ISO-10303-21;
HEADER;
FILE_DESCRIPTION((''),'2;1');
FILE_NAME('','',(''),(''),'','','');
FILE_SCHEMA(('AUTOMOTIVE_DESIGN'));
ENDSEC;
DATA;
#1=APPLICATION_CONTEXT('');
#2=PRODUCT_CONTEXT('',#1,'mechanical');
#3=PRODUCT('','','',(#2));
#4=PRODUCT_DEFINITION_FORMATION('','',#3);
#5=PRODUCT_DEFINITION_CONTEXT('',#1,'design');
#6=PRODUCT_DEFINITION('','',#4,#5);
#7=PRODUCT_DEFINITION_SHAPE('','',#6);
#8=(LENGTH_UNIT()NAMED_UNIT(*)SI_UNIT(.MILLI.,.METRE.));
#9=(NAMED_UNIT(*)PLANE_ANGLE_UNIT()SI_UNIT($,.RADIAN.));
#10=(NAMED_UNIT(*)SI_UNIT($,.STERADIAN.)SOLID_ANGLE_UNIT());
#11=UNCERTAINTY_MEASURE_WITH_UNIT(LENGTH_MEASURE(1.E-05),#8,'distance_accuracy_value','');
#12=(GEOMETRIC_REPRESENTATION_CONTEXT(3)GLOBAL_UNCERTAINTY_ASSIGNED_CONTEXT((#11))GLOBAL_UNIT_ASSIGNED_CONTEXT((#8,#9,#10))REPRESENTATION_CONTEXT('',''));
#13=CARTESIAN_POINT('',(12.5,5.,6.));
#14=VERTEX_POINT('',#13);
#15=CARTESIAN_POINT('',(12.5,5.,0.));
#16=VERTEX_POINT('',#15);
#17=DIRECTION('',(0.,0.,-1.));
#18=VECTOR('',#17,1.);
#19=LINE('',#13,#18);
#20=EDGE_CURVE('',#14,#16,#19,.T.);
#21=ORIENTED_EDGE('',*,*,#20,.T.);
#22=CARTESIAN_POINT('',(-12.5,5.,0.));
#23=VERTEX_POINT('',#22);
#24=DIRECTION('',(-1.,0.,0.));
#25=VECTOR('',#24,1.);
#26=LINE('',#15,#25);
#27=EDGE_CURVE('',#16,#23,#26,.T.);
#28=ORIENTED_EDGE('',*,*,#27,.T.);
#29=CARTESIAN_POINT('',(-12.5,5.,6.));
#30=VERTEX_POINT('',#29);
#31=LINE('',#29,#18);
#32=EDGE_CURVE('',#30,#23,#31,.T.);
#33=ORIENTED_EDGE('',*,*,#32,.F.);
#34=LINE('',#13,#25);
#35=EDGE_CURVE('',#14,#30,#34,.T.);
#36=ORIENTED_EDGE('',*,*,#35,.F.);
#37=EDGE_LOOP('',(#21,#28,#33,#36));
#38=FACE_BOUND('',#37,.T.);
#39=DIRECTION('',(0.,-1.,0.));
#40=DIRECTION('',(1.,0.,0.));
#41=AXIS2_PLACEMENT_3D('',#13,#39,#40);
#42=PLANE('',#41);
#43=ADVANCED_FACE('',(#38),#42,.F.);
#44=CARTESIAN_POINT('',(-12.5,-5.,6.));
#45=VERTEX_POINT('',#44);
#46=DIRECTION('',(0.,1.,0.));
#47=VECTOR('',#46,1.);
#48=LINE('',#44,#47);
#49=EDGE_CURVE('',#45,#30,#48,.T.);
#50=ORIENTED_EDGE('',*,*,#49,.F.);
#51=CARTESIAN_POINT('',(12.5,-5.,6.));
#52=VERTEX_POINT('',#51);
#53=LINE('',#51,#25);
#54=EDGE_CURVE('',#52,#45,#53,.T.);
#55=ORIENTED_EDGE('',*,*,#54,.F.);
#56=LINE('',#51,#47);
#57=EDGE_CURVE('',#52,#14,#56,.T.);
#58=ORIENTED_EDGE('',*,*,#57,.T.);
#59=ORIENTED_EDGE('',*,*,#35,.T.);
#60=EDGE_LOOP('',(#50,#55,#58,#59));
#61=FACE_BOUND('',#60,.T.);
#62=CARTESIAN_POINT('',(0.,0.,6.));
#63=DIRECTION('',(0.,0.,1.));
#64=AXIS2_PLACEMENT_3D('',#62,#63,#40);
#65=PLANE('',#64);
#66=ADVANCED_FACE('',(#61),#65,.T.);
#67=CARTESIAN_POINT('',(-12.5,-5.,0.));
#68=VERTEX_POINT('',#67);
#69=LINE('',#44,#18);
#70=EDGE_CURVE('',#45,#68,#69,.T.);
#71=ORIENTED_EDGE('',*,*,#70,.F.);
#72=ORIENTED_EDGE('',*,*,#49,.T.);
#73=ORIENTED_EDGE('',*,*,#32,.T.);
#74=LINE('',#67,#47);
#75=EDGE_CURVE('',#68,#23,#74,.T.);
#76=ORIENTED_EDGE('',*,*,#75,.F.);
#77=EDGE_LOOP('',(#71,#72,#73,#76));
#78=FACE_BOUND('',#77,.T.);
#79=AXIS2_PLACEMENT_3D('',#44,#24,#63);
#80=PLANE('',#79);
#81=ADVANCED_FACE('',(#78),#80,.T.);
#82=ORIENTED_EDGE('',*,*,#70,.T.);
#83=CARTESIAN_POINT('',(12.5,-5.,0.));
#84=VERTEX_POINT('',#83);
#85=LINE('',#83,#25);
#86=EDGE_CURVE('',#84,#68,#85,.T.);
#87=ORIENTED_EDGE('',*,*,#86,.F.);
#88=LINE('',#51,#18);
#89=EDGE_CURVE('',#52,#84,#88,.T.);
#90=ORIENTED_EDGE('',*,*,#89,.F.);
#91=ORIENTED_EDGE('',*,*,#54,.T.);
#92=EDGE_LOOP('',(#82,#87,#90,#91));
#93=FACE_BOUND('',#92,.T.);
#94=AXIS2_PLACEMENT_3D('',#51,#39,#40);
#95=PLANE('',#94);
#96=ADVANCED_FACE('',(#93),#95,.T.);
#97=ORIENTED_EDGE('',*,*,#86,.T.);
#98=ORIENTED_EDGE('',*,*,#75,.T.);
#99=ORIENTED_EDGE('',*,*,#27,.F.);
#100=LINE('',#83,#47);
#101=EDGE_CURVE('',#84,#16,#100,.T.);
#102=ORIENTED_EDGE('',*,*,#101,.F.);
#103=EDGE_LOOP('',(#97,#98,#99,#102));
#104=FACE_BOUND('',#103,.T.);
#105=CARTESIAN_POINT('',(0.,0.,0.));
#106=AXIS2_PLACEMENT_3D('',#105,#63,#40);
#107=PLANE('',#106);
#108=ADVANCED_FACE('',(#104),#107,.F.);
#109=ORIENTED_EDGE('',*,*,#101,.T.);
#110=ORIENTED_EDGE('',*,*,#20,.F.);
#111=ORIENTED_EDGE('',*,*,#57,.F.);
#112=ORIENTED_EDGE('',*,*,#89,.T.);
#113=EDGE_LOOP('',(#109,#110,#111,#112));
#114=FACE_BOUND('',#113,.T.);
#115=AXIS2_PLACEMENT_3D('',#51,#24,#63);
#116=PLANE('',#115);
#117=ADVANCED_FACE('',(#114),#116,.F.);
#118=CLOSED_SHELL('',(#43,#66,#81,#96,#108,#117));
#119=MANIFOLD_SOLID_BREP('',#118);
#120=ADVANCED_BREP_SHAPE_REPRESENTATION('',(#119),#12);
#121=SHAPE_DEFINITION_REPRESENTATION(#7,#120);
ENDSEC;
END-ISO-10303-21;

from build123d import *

# Parameters (mm, degrees)
SKETCH_1_W      = 25
SKETCH_1_H      = 10
EXTRUDE_1_DEPTH = 6


with BuildPart() as part:
    # 스케치1 → 보스-돌출1 (new body)
    with BuildSketch(Plane.XY):
        Rectangle(SKETCH_1_W, SKETCH_1_H)
    extrude(amount=EXTRUDE_1_DEPTH)


solid = part.part
